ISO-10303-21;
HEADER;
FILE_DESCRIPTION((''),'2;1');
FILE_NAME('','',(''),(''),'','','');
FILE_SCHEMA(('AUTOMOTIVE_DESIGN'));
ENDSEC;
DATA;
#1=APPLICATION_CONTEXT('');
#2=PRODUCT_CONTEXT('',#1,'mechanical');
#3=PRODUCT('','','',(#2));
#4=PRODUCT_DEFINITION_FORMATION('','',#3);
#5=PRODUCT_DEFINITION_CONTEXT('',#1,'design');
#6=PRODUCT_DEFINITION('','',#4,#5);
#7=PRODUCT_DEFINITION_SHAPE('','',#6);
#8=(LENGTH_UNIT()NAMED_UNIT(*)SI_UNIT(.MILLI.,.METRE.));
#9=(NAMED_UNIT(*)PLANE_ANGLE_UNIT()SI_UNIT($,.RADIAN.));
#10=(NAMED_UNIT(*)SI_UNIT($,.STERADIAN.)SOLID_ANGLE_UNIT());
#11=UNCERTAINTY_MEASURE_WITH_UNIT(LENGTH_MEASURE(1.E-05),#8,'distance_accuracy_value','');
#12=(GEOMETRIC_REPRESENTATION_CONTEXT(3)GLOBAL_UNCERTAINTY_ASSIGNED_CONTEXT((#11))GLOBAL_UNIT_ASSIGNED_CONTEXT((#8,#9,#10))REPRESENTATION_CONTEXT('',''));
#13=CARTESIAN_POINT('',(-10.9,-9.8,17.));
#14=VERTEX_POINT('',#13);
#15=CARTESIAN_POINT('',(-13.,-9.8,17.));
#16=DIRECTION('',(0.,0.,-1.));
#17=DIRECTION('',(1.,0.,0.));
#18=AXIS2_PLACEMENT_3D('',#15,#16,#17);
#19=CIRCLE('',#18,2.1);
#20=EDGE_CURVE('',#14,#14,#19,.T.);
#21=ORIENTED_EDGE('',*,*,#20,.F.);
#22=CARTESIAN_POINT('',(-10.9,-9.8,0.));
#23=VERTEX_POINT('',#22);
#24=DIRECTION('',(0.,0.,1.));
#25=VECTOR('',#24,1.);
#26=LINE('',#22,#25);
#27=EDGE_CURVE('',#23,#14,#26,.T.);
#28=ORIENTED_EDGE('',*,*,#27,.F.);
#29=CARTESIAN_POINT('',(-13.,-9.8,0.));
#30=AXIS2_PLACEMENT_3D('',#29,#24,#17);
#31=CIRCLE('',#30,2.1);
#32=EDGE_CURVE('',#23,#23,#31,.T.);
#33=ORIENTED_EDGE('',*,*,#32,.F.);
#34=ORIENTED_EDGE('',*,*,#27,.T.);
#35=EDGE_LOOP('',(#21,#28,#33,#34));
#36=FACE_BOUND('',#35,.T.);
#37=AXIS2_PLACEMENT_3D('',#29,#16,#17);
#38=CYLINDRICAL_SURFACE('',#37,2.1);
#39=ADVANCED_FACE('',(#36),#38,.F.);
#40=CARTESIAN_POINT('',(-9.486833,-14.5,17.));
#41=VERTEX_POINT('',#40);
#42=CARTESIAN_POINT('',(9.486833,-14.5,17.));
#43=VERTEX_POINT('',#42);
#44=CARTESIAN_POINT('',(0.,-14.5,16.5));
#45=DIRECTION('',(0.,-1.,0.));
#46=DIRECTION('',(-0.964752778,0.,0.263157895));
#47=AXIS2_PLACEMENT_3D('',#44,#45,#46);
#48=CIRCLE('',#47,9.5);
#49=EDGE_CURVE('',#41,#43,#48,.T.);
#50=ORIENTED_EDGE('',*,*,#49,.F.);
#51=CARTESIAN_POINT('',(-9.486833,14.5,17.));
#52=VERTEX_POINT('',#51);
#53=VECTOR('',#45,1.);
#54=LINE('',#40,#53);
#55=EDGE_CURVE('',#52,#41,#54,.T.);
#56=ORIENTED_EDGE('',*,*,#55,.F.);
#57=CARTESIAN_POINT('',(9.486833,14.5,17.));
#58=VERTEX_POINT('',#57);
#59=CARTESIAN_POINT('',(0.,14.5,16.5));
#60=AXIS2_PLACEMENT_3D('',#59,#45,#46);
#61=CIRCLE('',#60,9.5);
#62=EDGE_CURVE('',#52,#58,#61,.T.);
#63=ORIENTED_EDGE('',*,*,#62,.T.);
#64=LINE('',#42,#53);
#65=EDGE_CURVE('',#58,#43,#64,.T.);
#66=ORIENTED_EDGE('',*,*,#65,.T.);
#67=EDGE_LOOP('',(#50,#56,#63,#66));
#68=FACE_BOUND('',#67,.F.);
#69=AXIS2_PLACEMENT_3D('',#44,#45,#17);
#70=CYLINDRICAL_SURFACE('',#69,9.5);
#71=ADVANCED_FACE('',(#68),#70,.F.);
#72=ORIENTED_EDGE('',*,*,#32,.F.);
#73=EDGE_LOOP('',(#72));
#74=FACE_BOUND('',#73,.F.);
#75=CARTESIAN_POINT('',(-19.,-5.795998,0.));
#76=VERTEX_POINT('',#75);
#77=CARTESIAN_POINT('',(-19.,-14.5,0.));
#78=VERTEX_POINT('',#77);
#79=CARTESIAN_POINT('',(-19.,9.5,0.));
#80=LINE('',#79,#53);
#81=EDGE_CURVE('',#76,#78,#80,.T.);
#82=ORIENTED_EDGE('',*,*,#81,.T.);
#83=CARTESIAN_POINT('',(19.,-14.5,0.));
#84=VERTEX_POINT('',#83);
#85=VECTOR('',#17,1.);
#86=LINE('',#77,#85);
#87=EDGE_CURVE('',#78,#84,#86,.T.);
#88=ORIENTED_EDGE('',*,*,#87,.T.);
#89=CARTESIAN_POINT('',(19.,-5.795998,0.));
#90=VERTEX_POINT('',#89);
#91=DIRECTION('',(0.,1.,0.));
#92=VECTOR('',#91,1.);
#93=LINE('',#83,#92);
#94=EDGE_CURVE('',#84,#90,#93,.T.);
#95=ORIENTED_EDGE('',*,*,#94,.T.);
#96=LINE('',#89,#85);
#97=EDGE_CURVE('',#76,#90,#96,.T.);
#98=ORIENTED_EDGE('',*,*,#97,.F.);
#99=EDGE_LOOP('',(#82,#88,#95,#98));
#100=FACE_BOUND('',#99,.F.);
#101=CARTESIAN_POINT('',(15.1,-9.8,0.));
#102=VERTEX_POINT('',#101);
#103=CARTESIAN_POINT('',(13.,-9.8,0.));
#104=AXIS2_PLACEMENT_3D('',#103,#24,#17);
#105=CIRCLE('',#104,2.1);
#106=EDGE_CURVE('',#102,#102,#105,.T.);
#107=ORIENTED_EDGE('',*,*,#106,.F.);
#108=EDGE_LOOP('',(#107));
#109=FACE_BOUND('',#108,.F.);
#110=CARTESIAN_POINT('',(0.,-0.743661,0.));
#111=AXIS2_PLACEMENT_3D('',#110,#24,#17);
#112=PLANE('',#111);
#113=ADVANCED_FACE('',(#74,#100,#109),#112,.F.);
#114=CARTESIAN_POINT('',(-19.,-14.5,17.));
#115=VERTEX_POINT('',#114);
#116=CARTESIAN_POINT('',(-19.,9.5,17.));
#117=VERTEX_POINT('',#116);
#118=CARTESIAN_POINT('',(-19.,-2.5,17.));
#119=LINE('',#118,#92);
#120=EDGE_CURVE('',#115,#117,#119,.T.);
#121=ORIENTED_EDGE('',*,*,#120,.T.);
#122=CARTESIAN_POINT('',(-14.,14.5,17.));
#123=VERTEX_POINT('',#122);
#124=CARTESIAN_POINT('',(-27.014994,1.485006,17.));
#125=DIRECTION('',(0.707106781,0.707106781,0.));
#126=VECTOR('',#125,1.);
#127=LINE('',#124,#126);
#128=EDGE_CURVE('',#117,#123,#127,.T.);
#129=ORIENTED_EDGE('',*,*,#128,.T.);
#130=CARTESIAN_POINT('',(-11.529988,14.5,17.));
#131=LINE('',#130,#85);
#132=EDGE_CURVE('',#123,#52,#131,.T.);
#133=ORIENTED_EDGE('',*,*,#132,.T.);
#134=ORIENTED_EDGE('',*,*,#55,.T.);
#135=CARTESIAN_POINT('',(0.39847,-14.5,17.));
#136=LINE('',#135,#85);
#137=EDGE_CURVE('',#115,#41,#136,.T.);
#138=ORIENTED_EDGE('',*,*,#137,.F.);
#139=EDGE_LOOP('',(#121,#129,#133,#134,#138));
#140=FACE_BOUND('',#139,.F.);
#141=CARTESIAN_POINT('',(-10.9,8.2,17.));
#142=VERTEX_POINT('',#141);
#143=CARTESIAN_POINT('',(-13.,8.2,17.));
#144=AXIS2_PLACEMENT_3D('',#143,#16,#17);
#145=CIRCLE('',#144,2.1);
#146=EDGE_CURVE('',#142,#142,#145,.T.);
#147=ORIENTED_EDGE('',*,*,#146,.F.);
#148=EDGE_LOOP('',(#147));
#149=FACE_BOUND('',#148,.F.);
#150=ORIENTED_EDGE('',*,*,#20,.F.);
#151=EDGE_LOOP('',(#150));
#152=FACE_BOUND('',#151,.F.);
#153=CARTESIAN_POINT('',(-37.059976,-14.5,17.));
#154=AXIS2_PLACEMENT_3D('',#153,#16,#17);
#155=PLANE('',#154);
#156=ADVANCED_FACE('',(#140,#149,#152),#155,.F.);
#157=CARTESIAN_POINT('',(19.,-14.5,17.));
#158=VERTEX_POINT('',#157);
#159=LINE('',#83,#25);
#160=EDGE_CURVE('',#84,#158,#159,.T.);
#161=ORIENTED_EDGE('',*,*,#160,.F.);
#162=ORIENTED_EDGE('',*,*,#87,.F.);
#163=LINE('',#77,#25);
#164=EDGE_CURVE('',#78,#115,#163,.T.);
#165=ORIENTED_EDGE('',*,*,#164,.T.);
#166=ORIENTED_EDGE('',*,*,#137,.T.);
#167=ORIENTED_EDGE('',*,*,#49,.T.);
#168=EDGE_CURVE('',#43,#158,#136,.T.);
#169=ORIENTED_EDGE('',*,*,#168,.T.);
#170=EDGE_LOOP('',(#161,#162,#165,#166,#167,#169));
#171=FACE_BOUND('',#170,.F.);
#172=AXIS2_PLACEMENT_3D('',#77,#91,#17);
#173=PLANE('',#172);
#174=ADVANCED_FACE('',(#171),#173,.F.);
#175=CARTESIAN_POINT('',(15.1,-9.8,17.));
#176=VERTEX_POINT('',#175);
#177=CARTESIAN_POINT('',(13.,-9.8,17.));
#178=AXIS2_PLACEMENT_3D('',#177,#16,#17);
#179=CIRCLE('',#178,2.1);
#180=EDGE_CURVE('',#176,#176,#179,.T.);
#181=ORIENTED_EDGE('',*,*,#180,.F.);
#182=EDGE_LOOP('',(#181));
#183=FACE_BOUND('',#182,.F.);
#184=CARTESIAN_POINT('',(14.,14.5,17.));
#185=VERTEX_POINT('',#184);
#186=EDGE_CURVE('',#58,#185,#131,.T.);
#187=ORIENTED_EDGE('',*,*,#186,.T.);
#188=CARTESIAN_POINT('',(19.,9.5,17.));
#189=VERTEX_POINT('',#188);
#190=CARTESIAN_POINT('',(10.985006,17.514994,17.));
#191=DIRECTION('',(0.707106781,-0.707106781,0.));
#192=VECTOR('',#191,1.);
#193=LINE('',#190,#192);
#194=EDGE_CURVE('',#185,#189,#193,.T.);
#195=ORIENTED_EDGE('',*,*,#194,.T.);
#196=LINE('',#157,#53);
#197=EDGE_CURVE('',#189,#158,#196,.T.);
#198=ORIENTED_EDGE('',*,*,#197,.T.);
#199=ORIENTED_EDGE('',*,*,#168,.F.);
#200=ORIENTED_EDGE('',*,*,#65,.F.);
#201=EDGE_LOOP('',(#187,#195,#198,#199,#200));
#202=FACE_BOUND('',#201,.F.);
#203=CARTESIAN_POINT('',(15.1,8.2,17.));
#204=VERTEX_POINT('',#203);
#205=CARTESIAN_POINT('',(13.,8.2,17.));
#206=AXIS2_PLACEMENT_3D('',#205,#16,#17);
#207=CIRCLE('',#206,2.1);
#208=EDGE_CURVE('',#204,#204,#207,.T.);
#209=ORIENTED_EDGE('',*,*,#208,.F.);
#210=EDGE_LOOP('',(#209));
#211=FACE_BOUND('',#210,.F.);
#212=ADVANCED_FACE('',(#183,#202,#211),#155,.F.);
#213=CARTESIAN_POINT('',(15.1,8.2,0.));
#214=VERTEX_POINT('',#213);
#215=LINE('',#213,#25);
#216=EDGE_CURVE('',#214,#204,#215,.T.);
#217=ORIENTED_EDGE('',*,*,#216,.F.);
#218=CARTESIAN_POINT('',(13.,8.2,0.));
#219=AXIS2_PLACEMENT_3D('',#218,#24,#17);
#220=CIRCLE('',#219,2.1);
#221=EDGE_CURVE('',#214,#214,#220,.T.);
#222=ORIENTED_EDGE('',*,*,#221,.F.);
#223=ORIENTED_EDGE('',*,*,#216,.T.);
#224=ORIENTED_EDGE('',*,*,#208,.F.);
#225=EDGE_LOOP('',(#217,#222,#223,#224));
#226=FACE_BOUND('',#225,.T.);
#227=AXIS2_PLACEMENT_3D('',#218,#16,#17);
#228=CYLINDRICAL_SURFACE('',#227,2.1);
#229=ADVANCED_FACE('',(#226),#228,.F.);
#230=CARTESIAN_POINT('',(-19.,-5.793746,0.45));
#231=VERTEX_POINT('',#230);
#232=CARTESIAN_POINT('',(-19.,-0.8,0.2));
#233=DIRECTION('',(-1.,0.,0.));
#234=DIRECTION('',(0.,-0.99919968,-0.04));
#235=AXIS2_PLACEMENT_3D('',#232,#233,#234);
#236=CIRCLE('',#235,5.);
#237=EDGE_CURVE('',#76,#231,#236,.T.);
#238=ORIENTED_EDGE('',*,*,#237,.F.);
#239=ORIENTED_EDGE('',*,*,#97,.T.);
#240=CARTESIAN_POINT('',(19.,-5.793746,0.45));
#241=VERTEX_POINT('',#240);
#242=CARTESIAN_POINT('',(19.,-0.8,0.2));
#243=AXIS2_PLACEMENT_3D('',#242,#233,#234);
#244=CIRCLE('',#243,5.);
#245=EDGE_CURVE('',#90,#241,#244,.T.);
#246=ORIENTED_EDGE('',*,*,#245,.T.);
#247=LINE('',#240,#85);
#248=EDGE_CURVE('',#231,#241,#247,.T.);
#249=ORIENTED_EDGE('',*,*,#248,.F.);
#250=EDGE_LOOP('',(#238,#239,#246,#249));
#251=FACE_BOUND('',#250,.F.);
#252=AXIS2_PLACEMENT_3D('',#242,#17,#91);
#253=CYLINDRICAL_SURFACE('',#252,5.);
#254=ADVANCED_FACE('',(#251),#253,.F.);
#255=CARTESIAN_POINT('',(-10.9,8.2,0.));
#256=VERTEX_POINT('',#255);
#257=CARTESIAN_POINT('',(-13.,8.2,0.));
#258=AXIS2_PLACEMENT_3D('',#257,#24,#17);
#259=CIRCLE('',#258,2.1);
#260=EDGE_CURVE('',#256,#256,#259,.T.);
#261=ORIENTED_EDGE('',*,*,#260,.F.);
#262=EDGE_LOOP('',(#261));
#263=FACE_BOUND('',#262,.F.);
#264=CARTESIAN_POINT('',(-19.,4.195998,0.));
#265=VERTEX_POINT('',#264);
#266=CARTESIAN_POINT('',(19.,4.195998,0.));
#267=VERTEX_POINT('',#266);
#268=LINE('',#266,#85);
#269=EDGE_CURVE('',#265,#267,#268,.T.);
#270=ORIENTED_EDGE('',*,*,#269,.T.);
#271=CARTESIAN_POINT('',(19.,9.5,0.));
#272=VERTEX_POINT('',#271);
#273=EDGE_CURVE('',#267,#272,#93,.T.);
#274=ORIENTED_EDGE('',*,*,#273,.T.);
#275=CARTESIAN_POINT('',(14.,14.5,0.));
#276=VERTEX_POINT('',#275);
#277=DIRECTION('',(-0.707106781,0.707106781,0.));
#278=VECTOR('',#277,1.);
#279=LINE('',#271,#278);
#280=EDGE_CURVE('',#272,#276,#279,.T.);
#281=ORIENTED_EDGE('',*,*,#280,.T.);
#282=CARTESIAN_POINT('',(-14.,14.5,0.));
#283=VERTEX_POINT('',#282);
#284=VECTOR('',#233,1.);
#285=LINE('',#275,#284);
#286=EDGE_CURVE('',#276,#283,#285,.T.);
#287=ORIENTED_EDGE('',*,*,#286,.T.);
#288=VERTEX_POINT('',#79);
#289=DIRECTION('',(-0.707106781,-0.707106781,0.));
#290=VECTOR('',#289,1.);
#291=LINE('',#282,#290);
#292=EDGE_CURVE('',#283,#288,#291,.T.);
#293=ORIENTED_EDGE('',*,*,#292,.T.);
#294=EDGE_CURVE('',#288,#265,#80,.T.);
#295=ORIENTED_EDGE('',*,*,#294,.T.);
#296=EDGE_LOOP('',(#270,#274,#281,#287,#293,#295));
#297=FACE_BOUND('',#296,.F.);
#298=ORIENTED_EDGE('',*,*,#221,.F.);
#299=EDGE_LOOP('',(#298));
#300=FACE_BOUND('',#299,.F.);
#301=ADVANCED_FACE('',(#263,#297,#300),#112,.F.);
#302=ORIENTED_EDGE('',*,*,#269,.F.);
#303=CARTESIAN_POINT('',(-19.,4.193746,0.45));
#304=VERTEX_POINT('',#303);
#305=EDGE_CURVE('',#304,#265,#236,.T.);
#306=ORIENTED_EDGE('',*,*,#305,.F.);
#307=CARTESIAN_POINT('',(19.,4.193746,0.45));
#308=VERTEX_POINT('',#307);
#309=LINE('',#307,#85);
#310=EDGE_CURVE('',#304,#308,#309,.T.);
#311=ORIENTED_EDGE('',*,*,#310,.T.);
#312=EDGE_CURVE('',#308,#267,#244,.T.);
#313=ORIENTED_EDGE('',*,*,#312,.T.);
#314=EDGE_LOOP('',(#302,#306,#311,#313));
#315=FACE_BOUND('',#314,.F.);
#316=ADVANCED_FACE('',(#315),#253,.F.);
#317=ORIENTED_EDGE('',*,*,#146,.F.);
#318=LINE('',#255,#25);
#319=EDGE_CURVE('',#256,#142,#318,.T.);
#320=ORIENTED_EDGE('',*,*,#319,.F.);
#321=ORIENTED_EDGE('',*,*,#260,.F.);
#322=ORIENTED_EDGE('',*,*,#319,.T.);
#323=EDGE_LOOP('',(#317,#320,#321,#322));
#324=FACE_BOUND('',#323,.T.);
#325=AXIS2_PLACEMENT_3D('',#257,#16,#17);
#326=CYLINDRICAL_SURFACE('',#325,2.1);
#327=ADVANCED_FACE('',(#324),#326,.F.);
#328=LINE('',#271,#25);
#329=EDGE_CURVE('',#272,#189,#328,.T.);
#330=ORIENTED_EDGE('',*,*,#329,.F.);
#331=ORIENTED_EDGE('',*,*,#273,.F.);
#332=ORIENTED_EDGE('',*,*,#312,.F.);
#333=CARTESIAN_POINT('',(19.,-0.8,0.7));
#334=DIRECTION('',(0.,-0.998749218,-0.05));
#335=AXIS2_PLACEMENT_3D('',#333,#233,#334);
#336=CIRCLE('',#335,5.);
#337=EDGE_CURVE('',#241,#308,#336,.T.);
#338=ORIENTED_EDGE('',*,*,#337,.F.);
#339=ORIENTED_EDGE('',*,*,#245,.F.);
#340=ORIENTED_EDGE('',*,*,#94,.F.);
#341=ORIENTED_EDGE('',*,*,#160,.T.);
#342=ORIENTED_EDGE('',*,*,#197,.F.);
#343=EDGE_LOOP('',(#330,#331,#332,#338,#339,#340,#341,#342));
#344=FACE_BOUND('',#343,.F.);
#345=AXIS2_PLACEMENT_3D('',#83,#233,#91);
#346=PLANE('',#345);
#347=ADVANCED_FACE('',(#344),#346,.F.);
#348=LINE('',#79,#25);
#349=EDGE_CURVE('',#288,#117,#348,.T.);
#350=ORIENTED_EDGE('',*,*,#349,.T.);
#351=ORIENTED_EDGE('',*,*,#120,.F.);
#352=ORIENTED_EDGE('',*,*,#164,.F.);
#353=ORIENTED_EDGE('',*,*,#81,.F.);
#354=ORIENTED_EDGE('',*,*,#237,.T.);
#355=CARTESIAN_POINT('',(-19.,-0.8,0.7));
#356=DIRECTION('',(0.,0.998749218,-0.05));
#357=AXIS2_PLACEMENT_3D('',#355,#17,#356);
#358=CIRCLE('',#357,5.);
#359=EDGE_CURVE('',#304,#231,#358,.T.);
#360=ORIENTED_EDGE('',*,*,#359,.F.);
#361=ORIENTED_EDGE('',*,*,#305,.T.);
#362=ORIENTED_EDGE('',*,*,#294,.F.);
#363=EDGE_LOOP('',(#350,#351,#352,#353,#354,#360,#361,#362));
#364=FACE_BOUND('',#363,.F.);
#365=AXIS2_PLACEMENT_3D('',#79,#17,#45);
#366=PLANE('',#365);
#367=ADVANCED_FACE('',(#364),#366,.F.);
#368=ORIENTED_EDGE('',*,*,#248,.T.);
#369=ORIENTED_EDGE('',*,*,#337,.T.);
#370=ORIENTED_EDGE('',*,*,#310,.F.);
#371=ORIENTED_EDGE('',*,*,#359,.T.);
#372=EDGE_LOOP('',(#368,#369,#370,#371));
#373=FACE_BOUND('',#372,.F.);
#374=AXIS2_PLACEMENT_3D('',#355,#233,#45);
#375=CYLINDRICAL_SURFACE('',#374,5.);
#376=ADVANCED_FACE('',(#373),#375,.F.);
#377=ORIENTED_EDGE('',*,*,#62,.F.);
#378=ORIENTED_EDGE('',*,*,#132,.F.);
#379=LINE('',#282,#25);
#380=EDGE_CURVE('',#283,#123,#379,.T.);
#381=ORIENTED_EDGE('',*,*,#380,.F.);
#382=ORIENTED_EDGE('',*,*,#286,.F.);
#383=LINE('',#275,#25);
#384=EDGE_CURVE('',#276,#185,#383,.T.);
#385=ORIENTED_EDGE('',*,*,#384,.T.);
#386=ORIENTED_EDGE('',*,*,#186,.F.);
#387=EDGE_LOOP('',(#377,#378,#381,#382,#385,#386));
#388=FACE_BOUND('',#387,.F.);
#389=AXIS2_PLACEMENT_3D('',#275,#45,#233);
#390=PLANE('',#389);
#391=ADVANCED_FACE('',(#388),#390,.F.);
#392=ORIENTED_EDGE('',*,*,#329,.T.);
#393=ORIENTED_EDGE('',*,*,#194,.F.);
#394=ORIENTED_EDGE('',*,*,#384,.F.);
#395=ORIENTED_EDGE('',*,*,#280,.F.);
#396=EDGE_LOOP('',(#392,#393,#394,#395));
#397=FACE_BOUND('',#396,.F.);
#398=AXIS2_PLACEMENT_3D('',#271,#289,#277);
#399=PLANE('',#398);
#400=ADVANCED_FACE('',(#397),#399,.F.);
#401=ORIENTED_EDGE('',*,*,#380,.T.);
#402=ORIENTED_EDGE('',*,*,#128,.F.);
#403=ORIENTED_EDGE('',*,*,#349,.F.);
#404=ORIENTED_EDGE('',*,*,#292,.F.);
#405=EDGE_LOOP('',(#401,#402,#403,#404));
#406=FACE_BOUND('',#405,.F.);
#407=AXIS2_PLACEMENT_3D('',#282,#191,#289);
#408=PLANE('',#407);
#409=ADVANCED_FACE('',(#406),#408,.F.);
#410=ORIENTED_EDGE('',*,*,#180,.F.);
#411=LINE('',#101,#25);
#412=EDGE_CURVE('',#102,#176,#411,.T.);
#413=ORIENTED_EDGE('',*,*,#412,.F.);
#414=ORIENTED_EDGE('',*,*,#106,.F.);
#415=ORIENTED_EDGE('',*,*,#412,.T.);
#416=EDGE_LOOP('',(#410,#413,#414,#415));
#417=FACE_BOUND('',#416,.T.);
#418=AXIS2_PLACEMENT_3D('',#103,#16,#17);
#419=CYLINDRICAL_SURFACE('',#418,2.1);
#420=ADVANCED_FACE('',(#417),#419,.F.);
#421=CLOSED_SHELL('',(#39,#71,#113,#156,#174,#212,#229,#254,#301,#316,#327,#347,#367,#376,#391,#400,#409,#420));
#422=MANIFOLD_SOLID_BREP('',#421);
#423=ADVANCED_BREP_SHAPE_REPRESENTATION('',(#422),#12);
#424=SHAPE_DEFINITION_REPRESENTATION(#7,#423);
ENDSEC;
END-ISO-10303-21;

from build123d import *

# Parameters (mm, degrees)
F0_R     = 2.1
F1_DEPTH = 19
F2_R     = 9.5
F3_DEPTH = 29.001
F4_R     = 5
F5_DEPTH = 38.001
F6_W     = 74.916892
F6_H     = 3.990418
F7_DEPTH = 29.001
F8_R     = 5
F9_DEPTH = 38.001


with BuildPart() as f1:
    # F0 (on Top) → F1 (new body)
    with BuildSketch(Plane.XY):
        Polygon((14, 14.5), (-14, 14.5), (-19, 9.5), (-19, -14.5), (19, -14.5), (19, 9.5), align=None)
        with Locations((-13, -9.8)):
            Circle(F0_R, mode=Mode.SUBTRACT)
        with Locations((13, -9.8)):
            Circle(F0_R, mode=Mode.SUBTRACT)
        with Locations((-13, 8.2)):
            Circle(F0_R, mode=Mode.SUBTRACT)
        with Locations((13, 8.2)):
            Circle(F0_R, mode=Mode.SUBTRACT)
    extrude(amount=F1_DEPTH)

    # F2 (on face) → F3 (cut, through all)
    with BuildSketch(Plane.XZ.offset(14.5)):
        with Locations((0, 16.5)):
            Circle(F2_R)
    extrude(amount=-F3_DEPTH, mode=Mode.SUBTRACT)

    # F4 (on face) → F5 (cut, through all)
    with BuildSketch(Plane.YZ.offset(19)):
        with Locations((-0.8, 0.2)):
            Circle(F4_R)
    extrude(amount=-F5_DEPTH, mode=Mode.SUBTRACT)

    # F6 (on face) → F7 (cut, through all)
    with BuildSketch(Plane.XZ.offset(14.5)):
        with Locations((0.39847, 18.995209)):
            Rectangle(F6_W, F6_H)
    extrude(amount=-F7_DEPTH, mode=Mode.SUBTRACT)

    # F8 (on face) → F9 (cut, through all)
    with BuildSketch(Plane(origin=(-19, 0, 0), x_dir=(0, -1, 0), z_dir=(-1, 0, 0))):
        with Locations((0.8, 0.7)):
            Circle(F8_R)
    extrude(amount=-F9_DEPTH, mode=Mode.SUBTRACT)


solid = f1.part
